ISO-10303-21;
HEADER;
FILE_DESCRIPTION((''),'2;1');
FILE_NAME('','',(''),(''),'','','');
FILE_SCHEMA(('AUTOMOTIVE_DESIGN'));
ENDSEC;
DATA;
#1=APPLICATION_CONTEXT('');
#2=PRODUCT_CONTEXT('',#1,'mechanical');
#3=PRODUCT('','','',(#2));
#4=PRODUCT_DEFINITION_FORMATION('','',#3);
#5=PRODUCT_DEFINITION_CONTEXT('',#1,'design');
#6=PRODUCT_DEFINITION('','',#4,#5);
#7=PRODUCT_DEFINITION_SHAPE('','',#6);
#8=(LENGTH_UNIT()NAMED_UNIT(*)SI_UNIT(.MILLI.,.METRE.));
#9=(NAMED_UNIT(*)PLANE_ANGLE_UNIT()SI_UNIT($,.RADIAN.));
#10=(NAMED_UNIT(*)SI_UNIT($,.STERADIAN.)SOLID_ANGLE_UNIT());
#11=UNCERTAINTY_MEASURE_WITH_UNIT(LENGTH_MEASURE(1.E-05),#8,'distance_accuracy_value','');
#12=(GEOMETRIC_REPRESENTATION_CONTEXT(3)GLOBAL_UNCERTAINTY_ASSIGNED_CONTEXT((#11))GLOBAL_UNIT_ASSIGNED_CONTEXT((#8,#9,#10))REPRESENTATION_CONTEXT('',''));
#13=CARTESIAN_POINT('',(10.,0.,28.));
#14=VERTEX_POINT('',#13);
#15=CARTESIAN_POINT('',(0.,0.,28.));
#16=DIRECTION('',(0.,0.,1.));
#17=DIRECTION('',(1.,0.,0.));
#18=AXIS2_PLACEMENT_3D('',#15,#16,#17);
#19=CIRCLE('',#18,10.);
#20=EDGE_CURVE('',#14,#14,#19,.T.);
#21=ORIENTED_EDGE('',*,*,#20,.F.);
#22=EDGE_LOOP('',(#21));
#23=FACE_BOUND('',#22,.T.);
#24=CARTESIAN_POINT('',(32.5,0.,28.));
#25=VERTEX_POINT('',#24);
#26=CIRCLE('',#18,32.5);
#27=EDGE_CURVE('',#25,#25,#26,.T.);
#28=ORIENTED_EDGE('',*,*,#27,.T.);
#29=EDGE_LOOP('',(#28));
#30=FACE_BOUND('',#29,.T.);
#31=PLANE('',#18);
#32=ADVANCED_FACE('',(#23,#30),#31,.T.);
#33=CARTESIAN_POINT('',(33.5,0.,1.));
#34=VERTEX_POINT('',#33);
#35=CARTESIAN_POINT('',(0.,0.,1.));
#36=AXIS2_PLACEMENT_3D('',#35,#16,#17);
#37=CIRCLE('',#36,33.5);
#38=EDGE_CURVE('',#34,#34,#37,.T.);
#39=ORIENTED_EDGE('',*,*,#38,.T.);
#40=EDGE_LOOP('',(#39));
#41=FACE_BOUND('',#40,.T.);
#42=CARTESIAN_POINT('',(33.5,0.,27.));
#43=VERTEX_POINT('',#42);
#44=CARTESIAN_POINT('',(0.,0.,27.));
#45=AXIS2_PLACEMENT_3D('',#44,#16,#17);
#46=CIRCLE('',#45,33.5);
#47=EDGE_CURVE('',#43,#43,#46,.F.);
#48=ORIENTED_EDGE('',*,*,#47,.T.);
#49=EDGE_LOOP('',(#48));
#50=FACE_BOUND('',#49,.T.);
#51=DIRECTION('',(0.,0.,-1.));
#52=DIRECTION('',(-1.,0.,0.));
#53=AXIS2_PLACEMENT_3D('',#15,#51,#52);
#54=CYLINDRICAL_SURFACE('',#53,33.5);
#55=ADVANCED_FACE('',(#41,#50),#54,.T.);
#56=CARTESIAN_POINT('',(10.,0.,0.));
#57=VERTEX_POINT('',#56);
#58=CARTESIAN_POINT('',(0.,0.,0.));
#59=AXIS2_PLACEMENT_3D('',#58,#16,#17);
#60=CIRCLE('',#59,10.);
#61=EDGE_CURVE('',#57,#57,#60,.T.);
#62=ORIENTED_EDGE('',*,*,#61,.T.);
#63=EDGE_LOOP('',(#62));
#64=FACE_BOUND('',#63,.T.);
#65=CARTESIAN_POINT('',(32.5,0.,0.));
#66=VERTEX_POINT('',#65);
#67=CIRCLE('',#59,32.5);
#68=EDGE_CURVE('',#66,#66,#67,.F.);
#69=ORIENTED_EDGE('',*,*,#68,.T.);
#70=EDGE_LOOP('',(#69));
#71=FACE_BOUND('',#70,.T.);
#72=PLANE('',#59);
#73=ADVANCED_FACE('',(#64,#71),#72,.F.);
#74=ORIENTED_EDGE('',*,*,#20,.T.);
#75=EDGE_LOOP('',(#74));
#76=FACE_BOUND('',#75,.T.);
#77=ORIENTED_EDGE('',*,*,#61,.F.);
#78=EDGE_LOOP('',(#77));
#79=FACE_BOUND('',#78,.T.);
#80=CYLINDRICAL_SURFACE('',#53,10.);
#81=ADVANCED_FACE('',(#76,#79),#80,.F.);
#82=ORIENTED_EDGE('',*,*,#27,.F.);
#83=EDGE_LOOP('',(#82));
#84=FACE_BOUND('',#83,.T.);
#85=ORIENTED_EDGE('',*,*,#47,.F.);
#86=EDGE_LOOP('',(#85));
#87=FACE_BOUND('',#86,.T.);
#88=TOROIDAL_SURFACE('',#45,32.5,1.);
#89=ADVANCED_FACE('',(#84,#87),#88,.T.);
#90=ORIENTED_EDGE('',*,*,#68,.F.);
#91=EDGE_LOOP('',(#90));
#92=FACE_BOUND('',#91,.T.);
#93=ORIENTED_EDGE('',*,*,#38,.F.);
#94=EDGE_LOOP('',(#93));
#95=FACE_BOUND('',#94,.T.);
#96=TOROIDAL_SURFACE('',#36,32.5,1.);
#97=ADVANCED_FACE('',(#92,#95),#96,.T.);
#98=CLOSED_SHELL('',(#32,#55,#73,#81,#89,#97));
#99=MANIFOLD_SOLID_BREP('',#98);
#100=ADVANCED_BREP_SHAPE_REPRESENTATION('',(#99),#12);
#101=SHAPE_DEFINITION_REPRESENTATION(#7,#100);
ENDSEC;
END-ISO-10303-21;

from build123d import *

# Parameters (mm, degrees)
ESQUISSE1_R        = 33.5
ESQUISSE1_R_2      = 10
BOSS_EXTRU_1_DEPTH = 28
CONG_1_R           = 1


with BuildPart() as part:
    # Esquisse1 → Boss.-Extru.1 (new body)
    with BuildSketch(Plane.XY):
        Circle(ESQUISSE1_R)
        Circle(ESQUISSE1_R_2, mode=Mode.SUBTRACT)
    extrude(amount=BOSS_EXTRU_1_DEPTH)

    # Congé1
    cong_1_edges = [part.edges().sort_by_distance(p)[0] for p in [
        (-33.5, 0, 0),
        (-33.5, 0, 28),
    ]]
    fillet(cong_1_edges, radius=CONG_1_R)


solid = part.part
